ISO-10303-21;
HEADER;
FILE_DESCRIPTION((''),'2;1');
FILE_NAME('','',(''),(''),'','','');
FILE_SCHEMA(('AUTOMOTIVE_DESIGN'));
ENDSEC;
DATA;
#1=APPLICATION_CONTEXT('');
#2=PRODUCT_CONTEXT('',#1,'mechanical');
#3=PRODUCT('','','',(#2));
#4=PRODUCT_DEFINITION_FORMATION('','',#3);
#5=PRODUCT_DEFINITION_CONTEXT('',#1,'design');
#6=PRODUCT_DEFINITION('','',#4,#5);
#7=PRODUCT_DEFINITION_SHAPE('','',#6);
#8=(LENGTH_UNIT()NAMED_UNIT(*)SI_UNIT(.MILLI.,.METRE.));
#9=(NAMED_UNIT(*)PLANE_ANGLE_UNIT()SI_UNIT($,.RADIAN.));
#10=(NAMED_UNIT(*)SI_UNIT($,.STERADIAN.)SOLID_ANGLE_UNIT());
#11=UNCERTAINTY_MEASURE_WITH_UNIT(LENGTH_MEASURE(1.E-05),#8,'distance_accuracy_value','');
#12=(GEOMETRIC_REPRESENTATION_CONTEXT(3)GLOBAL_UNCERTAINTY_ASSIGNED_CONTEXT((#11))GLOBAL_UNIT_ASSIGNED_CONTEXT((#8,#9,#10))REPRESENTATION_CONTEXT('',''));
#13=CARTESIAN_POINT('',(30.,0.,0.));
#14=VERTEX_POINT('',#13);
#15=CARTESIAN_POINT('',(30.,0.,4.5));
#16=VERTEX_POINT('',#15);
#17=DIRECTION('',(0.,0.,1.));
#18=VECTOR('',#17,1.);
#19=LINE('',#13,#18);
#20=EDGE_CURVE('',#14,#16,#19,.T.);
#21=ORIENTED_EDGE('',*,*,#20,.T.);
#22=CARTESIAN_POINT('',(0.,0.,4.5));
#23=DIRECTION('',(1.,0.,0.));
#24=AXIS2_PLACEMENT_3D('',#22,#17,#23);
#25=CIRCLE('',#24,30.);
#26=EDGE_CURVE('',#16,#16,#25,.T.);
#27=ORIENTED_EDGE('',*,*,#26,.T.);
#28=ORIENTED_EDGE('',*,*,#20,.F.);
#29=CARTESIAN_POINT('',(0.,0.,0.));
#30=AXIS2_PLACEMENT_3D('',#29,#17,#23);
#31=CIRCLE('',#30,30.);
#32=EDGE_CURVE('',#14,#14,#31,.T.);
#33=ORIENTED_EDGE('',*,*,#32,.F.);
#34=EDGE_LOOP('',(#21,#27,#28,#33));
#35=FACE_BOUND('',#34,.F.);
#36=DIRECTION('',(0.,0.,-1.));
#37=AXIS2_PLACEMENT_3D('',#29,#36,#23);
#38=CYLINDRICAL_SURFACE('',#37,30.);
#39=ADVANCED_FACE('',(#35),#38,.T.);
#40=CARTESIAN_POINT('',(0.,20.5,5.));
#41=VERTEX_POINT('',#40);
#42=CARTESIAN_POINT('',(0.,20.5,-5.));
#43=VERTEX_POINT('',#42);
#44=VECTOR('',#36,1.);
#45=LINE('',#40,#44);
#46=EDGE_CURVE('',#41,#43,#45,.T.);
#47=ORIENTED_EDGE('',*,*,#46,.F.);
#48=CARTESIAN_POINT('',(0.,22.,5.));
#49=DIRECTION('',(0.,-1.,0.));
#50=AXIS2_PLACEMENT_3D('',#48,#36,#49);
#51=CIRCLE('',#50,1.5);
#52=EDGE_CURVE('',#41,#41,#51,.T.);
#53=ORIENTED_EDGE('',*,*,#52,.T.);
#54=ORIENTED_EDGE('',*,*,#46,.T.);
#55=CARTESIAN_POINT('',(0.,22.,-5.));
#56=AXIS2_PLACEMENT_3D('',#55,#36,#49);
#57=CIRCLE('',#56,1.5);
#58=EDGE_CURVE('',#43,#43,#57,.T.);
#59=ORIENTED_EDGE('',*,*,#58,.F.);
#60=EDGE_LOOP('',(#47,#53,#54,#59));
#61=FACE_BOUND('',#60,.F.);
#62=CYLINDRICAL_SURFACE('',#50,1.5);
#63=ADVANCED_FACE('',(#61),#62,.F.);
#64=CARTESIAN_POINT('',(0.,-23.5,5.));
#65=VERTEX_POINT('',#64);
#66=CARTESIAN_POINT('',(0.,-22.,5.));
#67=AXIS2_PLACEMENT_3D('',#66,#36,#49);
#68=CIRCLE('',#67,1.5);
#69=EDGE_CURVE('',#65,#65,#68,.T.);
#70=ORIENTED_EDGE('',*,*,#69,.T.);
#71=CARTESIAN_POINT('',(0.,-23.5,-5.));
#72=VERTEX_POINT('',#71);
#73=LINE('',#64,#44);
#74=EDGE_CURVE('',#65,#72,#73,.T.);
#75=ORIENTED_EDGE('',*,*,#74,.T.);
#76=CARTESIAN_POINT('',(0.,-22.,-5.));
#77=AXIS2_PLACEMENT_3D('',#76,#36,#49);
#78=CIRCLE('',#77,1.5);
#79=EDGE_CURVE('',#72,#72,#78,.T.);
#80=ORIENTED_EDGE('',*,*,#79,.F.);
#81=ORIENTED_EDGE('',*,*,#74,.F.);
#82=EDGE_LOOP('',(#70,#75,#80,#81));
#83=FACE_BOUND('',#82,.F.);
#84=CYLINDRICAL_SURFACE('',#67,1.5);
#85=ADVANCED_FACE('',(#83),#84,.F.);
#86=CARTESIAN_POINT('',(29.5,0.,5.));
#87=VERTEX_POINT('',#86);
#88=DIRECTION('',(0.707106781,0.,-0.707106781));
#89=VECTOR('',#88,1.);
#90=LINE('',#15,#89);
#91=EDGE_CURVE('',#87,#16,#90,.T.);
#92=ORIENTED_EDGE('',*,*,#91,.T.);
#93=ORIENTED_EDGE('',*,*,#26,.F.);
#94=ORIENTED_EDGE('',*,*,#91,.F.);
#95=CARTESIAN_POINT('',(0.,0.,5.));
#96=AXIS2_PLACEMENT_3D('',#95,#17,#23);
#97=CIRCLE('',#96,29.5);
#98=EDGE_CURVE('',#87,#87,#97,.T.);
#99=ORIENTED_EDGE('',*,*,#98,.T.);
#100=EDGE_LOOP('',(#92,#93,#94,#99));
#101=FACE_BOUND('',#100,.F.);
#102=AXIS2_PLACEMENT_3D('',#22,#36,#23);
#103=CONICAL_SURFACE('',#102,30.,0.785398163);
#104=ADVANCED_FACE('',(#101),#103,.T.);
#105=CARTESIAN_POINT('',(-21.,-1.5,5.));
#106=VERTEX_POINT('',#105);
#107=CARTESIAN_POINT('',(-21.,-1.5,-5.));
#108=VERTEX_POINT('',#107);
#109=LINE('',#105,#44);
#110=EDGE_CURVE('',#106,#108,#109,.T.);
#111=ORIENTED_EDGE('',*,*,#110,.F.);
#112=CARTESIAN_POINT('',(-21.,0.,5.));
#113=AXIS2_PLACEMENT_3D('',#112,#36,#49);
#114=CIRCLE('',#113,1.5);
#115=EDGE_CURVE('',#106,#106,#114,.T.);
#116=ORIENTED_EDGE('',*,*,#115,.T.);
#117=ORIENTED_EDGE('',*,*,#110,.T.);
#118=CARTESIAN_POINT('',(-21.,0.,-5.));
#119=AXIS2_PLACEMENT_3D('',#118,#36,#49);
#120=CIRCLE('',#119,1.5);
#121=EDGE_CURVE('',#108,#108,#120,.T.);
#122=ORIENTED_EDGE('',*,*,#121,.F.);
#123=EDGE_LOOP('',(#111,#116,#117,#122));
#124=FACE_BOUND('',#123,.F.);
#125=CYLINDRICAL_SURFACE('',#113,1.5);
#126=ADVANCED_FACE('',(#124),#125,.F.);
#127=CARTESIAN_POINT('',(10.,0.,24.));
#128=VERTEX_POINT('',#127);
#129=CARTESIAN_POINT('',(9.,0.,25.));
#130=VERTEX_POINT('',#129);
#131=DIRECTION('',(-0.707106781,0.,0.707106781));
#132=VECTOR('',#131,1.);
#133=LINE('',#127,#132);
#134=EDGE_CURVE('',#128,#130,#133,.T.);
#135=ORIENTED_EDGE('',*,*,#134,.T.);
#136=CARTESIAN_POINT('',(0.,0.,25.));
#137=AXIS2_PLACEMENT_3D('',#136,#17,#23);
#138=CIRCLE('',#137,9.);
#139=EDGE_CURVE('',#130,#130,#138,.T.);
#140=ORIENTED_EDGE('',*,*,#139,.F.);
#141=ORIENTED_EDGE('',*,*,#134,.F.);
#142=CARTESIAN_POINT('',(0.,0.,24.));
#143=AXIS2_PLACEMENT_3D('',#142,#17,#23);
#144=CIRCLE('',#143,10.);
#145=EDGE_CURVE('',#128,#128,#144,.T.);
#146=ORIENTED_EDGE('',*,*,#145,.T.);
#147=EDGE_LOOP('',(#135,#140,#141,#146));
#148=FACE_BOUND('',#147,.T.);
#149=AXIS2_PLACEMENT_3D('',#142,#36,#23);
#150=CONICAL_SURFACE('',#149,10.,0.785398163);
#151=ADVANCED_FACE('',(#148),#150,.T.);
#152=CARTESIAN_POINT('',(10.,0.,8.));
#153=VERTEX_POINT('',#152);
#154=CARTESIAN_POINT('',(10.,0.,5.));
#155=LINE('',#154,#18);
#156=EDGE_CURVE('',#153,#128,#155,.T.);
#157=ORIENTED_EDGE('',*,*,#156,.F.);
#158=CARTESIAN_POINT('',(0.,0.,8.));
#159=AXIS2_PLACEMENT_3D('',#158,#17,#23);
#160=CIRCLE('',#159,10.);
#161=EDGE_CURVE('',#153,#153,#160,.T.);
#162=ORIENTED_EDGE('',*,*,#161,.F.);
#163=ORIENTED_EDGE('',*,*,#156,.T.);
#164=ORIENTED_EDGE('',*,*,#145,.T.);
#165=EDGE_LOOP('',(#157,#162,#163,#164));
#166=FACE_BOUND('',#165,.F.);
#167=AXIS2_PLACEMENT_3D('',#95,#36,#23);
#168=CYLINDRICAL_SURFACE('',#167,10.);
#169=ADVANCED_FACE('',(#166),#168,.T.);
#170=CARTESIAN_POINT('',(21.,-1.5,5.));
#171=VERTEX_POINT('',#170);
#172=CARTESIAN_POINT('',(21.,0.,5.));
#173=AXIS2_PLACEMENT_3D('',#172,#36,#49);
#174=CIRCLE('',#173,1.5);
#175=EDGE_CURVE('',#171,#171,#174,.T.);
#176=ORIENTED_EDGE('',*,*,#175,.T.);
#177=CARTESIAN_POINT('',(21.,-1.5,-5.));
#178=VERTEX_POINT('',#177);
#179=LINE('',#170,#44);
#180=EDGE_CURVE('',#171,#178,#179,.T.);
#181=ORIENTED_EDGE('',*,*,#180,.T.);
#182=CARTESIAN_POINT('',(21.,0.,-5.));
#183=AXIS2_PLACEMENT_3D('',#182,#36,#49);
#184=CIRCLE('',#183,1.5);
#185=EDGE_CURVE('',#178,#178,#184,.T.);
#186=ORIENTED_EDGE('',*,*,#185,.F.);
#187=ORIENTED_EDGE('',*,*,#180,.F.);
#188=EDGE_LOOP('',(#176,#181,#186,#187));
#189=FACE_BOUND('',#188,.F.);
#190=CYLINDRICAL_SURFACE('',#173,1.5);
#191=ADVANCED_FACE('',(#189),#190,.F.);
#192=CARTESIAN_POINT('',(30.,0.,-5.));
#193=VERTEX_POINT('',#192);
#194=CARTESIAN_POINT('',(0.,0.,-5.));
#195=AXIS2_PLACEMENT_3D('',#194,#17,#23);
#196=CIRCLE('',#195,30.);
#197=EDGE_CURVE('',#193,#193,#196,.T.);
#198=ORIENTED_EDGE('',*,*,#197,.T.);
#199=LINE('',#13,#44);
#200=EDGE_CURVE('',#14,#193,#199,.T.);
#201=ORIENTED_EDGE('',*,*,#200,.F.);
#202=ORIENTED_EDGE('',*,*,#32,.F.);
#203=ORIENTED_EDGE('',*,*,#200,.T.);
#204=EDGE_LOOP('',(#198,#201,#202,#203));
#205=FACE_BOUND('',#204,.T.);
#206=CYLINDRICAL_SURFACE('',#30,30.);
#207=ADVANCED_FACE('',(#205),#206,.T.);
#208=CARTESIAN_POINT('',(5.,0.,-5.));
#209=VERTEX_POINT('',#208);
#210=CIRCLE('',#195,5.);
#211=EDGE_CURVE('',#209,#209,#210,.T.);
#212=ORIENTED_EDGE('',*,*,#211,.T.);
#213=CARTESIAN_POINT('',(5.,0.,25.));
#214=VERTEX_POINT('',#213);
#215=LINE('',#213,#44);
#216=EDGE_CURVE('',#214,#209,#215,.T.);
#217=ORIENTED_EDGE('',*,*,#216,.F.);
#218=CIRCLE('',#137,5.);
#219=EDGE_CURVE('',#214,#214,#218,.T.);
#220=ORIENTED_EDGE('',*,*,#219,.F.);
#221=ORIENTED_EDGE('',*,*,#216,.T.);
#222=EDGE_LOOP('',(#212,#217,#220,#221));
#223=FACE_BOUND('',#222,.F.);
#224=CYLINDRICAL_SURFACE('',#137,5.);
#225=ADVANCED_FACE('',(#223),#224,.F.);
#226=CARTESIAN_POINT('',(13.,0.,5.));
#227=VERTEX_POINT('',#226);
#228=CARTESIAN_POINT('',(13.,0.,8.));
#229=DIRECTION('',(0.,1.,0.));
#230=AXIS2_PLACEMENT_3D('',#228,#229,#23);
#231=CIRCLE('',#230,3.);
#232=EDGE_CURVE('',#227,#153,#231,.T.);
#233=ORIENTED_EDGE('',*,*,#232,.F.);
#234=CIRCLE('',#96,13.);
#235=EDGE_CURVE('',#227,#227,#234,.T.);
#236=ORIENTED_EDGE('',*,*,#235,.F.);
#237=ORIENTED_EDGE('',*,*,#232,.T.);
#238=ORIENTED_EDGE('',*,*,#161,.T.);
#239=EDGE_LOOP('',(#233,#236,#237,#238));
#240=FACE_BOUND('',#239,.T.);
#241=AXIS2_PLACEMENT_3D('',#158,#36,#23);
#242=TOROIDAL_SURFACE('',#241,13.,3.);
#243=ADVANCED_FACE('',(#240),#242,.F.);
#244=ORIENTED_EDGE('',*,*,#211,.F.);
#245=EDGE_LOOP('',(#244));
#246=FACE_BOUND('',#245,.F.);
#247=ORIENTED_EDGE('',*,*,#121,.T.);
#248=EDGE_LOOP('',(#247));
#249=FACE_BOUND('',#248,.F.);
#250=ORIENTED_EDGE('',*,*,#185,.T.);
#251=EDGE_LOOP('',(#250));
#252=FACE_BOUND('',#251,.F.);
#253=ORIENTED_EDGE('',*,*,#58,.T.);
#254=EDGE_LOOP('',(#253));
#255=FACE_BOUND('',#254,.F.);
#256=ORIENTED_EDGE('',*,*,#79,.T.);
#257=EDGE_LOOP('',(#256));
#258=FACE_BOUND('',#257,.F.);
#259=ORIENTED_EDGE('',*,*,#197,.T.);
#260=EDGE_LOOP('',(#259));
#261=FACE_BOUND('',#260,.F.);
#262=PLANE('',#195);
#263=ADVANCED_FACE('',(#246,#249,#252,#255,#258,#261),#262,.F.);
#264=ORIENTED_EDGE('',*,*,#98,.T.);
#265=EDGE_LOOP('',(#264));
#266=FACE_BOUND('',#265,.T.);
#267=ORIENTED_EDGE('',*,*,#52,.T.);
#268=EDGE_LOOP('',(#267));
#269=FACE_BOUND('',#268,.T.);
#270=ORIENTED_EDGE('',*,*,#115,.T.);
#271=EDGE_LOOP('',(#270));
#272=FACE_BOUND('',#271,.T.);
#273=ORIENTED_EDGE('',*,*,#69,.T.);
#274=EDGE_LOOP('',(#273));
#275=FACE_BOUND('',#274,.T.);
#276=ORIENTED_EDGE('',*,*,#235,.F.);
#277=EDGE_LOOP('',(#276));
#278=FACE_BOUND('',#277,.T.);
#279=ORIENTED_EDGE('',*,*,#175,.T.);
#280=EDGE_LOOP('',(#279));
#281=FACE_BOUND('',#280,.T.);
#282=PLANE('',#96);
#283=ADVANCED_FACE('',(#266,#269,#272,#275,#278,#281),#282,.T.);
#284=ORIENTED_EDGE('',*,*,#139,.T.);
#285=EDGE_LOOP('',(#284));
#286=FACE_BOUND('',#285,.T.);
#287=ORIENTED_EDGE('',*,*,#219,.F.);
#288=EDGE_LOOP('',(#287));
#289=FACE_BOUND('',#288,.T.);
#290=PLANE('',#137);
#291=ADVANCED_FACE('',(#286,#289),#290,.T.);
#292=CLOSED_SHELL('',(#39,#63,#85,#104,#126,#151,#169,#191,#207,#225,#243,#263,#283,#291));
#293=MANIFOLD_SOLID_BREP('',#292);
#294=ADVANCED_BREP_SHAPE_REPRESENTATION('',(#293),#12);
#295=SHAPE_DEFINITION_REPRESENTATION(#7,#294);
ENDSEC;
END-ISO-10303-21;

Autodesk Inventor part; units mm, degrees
ref_plane "YZ Plane" through (0, 0, 0) normal (1, 0, 0) x (0, 1, 0)
ref_plane "XZ Plane" through (0, 0, 0) normal (0, 1, 0) x (-1, 0, 0)
ref_plane "XY Plane" through (0, 0, 0) normal (0, 0, 1) x (1, 0, 0)
sketch "Sketch1" plane through (0, 0, 0) normal (0, 0, 1) x (1, 0, 0)
  circle A0 centre (0, 0) radius 30
  dimension "d0" = 60
extrude "Extrusion1" add sketch "Sketch1" along normal mid plane 10
sketch "Sketch2" plane through (0, 0, 5) normal (0, 0, 1) x (1, 0, 0)
  circle A0 centre (0, 0) radius 30 projected
  circle A1 centre (0, 0) radius 10
  dimension "d3" = 20
extrude "Extrusion2" add sketch "Sketch2" along normal blind 20 contours A1
sketch "Sketch3" plane through (0, 0, 25) normal (0, 0, 1) x (1, 0, 0)
  circle A0 centre (0, 0) radius 10 projected
  circle A1 centre (0, 0) radius 5
  dimension "d6" = 10
extrude "Extrusion3" cut sketch "Sketch3" against normal through all contours A1
fillet "Fillet1" radius 3 1 edges at (-10, 0, 5)
chamfer "Chamfer1" distance 1 angle 45 1 edges at (-10, 0, 25)
sketch "Sketch5" plane through (0, 0, 5) normal (0, 0, 1) x (1, 0, 0)
  circle A0 centre (0, 0) radius 30 projected
  circle A1 centre (0, 0) radius 5 projected
  point P0 (-21, 0)
  point P1 (21, 0)
  point P2 (0, 22)
  point P3 (0, -22)
  dimension "d14" = 21
  dimension "d15" = 22
  dimension "d16" = 21
  dimension "d17" = 22
hole "Hole1" at (-21, 0, 5) at (21, 0, 5) at (0, 22, 5) at (0, -22, 5) direction (0, 0, -1) diameter 3 end through all
chamfer "Chamfer2" distance 0.5 angle 45 1 edges at (-30, 0, 5)
properties part number "relation"
